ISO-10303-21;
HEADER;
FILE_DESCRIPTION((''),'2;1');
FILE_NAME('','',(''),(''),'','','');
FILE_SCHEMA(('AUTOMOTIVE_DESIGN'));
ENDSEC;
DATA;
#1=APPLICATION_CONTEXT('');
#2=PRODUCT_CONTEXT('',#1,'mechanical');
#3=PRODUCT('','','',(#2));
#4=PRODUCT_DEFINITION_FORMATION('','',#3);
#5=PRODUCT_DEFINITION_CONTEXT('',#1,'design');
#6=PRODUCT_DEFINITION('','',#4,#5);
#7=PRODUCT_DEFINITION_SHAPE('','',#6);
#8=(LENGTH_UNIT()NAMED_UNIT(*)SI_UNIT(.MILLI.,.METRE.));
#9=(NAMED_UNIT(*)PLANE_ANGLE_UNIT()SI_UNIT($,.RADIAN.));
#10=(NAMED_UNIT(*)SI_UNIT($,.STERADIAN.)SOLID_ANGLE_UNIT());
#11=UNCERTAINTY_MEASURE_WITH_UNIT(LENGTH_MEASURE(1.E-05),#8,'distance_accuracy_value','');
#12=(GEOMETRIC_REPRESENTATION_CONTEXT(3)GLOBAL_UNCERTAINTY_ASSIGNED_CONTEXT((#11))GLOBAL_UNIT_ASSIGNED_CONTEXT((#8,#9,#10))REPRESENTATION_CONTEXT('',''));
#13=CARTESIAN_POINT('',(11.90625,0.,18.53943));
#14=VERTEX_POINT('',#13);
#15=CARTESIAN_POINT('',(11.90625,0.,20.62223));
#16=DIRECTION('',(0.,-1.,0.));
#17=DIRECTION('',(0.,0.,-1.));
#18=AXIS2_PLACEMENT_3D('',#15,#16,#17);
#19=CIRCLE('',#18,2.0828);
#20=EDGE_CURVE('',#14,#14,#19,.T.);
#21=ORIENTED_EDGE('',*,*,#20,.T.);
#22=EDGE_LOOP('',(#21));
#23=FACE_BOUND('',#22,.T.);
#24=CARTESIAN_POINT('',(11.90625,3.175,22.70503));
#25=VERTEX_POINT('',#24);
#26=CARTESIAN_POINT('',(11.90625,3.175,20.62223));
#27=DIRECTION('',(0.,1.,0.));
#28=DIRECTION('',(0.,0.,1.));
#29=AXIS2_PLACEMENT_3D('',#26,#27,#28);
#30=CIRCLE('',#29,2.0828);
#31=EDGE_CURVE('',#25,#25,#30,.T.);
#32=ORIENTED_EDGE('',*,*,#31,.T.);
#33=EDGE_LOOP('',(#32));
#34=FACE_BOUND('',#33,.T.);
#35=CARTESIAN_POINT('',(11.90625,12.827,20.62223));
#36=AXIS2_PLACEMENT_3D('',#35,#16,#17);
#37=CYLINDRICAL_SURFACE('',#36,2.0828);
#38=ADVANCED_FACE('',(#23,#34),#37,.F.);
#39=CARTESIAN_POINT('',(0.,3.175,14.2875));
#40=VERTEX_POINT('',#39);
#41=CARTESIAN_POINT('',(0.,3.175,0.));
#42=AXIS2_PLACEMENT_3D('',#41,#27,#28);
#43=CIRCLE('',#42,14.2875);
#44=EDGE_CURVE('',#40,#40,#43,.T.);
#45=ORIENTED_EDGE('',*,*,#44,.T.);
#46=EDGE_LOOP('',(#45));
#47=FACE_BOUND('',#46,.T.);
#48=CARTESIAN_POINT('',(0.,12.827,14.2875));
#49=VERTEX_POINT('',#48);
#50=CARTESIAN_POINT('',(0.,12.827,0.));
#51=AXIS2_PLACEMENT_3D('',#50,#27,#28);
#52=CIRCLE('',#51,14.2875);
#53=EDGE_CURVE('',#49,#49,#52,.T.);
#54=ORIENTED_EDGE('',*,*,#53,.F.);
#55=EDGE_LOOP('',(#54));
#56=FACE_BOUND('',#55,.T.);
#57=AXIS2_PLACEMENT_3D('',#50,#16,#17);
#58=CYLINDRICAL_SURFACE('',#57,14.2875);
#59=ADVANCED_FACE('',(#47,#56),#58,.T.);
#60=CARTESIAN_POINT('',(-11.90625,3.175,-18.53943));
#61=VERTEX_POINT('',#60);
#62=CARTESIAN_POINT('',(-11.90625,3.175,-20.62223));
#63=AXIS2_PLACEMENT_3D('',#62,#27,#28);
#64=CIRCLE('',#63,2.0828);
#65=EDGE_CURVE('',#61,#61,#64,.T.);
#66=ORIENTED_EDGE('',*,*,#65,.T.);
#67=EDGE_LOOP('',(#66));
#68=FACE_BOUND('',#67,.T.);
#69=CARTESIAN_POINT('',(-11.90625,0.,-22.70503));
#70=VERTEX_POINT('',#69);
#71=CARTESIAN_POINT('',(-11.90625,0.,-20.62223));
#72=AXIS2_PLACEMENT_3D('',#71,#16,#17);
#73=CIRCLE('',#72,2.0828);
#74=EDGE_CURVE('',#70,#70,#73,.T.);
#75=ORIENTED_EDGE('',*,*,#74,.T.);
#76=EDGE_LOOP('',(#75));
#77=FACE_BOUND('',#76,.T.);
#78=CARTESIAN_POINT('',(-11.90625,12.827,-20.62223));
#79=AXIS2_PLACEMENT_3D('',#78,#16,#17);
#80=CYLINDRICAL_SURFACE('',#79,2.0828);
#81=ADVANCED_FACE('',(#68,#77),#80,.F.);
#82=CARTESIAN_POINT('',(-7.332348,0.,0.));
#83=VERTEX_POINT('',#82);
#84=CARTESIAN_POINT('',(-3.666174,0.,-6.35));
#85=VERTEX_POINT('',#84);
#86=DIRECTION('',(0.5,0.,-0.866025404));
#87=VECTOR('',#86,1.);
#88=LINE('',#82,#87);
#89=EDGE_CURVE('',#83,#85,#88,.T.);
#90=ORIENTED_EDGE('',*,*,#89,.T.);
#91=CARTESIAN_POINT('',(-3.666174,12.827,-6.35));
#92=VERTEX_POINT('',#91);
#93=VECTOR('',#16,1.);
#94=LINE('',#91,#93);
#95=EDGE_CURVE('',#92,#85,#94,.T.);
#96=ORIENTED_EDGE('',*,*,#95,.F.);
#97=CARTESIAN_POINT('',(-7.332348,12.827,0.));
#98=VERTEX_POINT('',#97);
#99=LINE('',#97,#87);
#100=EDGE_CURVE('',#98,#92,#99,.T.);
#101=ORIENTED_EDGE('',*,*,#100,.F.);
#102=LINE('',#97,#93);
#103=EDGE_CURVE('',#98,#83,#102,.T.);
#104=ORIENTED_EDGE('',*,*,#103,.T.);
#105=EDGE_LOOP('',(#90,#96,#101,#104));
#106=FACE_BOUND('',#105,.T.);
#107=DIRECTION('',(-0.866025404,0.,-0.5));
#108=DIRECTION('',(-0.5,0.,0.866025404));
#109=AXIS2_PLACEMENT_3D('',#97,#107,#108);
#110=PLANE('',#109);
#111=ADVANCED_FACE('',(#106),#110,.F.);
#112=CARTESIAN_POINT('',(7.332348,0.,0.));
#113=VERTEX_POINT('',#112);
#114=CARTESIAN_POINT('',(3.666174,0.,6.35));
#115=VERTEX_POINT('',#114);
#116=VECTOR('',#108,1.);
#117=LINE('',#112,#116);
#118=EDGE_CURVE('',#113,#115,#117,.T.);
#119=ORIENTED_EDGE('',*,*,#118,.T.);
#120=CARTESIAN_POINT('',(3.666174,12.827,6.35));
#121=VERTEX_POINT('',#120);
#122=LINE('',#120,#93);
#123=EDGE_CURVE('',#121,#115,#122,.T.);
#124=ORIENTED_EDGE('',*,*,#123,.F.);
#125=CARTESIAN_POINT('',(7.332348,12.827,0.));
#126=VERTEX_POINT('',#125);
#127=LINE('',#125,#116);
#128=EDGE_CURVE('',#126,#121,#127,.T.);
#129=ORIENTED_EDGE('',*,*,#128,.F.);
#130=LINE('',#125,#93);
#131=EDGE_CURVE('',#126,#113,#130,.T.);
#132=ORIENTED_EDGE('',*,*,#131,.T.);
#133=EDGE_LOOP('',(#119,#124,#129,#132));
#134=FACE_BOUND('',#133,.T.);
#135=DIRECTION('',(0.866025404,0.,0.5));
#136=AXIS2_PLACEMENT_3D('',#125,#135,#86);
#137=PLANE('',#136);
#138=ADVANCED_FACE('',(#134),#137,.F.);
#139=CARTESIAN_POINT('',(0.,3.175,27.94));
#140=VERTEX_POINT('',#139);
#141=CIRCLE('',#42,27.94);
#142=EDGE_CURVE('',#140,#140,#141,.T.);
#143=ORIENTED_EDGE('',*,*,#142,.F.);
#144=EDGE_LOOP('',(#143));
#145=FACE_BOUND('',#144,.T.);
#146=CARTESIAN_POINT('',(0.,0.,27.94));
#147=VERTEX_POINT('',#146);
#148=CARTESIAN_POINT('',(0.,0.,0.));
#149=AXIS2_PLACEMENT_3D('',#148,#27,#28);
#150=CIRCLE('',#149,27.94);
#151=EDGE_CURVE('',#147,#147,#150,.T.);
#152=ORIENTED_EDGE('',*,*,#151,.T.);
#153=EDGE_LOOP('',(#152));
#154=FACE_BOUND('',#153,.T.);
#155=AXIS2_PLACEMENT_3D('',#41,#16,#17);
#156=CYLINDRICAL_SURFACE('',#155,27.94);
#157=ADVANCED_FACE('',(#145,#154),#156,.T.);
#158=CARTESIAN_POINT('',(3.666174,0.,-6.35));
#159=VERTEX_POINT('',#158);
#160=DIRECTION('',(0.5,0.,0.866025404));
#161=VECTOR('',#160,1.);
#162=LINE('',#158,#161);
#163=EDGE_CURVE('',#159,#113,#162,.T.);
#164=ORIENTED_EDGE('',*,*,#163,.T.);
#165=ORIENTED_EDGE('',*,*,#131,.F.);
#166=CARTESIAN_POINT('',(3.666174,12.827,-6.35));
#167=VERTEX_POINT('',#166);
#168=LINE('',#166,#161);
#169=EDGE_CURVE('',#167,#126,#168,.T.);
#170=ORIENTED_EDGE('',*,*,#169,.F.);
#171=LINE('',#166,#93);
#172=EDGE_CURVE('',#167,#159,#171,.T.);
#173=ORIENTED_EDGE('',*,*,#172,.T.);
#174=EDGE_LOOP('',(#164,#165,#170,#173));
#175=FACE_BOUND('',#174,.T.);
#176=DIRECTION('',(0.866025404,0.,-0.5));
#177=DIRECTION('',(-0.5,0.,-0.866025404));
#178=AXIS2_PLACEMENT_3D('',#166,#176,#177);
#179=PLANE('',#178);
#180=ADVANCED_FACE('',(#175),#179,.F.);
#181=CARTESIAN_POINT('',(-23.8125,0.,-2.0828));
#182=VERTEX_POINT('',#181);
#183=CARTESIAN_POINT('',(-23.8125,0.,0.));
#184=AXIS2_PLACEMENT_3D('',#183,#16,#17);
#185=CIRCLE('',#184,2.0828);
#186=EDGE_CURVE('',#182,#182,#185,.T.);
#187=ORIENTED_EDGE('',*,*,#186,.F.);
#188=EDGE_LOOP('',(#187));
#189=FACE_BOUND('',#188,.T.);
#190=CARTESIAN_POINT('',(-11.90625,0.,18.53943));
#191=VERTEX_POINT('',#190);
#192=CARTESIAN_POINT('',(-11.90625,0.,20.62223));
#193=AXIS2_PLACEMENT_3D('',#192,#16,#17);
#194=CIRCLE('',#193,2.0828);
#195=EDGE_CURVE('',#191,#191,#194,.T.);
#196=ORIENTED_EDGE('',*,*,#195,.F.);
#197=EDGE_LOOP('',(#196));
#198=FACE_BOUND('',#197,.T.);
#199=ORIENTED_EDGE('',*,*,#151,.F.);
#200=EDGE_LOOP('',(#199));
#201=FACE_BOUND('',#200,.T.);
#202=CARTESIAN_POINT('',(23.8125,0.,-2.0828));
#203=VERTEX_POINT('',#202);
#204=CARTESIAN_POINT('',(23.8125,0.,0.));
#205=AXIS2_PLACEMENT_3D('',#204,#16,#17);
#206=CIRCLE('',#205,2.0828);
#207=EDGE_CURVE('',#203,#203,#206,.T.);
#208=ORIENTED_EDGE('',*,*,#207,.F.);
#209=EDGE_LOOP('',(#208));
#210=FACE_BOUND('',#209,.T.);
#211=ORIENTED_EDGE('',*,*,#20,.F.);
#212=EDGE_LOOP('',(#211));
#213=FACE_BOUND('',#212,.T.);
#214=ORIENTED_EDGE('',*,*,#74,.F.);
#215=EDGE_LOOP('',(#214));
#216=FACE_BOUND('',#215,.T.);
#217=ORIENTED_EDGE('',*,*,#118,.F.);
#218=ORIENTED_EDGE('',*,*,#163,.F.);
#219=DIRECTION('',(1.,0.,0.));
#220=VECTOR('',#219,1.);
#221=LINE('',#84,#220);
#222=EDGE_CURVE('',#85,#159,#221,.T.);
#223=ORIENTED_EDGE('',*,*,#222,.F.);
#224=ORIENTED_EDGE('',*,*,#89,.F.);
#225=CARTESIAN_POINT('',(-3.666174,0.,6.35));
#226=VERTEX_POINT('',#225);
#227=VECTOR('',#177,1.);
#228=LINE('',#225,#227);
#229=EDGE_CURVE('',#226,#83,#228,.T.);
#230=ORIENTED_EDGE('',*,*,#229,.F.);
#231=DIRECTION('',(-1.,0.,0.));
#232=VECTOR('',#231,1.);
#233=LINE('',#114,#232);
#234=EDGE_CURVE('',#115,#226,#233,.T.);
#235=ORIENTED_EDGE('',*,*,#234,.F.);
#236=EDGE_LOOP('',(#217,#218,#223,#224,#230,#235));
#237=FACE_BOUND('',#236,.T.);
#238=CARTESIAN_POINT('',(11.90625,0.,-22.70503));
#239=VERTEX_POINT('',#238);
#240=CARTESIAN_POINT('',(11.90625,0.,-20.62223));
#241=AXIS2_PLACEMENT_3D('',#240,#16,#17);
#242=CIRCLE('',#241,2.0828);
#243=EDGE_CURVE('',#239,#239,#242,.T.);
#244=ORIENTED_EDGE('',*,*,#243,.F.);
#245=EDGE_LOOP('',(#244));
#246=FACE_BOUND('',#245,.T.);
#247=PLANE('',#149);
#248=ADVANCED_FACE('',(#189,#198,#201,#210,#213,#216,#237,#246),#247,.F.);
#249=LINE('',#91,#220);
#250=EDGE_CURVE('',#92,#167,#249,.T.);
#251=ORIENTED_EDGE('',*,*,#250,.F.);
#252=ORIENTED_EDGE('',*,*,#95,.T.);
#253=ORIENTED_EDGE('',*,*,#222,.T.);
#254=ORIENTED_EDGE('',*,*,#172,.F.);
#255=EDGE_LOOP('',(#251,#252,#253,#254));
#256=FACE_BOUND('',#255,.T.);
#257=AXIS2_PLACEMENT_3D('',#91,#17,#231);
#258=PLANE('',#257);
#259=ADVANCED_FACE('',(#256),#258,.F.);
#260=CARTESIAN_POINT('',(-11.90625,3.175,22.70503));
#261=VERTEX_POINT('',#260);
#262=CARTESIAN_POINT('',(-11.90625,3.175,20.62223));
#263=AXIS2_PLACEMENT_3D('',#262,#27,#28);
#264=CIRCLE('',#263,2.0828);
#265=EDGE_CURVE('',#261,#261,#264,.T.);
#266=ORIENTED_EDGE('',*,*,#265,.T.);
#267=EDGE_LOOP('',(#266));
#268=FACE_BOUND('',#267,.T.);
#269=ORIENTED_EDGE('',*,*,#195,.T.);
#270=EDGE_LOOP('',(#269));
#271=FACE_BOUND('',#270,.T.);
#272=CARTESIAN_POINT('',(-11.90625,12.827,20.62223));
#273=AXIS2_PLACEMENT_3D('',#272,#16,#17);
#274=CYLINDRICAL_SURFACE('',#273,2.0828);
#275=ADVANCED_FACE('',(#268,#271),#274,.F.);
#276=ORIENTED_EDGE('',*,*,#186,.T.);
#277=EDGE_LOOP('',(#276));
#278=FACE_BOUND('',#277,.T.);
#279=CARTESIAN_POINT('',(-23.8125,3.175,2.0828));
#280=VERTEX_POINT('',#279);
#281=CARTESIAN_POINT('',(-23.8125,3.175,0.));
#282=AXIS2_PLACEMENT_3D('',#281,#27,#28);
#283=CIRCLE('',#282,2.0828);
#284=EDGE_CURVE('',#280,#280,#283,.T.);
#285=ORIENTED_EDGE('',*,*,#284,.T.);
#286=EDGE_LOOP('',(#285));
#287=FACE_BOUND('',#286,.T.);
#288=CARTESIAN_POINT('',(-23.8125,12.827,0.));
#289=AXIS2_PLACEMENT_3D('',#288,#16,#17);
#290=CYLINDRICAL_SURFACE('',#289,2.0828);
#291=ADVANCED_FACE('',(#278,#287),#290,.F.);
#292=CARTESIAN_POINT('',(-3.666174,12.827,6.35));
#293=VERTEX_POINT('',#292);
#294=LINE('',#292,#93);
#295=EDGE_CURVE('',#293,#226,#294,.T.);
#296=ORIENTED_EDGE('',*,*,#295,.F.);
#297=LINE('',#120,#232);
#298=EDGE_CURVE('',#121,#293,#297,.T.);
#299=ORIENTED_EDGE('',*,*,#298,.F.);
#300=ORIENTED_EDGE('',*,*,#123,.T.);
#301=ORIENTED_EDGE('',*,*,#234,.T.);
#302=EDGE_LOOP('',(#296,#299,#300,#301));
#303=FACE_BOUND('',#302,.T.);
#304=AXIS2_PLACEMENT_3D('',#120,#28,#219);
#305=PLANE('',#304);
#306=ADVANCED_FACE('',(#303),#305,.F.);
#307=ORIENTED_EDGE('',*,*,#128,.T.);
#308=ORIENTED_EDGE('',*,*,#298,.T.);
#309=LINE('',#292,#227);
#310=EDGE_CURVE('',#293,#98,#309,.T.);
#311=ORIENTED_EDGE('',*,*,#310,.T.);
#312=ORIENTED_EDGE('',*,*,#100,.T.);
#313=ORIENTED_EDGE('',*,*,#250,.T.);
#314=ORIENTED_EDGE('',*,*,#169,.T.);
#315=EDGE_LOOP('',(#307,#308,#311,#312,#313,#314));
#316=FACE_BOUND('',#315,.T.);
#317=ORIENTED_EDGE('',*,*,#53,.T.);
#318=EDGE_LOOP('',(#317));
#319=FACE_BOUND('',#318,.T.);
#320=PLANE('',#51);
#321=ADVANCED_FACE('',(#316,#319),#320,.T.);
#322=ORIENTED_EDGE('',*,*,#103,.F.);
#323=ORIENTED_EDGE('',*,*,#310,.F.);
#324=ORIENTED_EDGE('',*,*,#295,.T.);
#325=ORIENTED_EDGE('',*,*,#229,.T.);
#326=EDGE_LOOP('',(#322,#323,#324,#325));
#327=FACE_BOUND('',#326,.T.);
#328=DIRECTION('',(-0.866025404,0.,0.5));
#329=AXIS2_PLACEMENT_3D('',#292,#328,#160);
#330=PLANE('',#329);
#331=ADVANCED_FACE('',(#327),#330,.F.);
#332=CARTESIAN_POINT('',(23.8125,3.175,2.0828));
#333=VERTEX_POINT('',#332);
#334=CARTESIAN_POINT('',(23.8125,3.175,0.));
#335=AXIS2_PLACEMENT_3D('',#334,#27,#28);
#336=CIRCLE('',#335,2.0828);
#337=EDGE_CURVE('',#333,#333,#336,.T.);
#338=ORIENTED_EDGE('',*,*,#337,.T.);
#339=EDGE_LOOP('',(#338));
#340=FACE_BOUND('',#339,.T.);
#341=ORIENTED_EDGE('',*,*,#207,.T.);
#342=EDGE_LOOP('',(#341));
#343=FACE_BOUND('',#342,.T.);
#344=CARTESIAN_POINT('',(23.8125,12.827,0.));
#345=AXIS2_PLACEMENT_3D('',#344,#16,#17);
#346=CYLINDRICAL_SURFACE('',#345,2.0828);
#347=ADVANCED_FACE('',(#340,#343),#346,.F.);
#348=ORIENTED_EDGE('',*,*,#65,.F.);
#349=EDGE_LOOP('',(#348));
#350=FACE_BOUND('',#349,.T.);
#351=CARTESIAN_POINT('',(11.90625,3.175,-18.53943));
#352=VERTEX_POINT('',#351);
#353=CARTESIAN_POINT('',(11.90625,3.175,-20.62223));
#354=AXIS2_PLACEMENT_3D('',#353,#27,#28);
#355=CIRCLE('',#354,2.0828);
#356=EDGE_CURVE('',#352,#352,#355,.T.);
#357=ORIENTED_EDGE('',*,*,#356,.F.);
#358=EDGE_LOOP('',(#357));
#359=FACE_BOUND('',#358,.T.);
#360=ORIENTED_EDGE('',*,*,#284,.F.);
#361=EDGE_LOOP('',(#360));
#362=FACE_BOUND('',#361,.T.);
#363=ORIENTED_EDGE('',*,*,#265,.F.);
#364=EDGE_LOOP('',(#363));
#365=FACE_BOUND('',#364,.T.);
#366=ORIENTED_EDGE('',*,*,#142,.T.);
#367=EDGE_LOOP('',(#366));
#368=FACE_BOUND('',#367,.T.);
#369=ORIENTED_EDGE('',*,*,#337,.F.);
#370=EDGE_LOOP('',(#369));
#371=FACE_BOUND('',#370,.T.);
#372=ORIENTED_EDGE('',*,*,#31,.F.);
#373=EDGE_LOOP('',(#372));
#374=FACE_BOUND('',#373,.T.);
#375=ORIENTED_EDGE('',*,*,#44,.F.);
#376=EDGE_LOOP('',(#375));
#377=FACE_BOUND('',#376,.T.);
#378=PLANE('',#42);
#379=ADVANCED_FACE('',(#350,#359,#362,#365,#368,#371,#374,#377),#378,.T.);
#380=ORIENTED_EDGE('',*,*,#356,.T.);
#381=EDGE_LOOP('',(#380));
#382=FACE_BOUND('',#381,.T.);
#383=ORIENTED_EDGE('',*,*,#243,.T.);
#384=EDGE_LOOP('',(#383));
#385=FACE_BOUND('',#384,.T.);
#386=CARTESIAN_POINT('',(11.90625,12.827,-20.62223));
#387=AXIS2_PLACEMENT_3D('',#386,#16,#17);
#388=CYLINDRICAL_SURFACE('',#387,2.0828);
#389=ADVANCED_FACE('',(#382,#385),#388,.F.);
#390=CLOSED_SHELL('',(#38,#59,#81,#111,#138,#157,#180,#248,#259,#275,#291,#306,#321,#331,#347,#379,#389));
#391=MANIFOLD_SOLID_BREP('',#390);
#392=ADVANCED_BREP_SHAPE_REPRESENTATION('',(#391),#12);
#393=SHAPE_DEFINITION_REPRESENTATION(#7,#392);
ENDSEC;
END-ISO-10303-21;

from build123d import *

# Parameters (mm, degrees)
SKETCH1_R           = 27.94
BOSS_EXTRUDE1_DEPTH = 3.175
SKETCH2_R           = 14.2875
BOSS_EXTRUDE2_DEPTH = 9.652
CUT_EXTRUDE1_DEPTH  = 13.827
SKETCH4_R           = 2.0828
CUT_EXTRUDE2_DEPTH  = 13.827


with BuildPart() as part:
    # Sketch1 → Boss-Extrude1 (new body)
    with BuildSketch(Plane(origin=(0, 0, 0), x_dir=(1, 0, 0), z_dir=(0, 1, 0))):
        Circle(SKETCH1_R)
    extrude(amount=BOSS_EXTRUDE1_DEPTH)

    # Sketch2 → Boss-Extrude2 (add)
    with BuildSketch(Plane(origin=(0, 3.175, 0), x_dir=(1, 0, 0), z_dir=(0, 1, 0))):
        Circle(SKETCH2_R)
    extrude(amount=BOSS_EXTRUDE2_DEPTH)

    # Sketch3 → Cut-Extrude1 (cut, through all)
    with BuildSketch(Plane.XZ):
        Polygon((3.666174209, -6.35), (7.332348419, 0), (3.666174209, 6.35), (-3.666174209, 6.35), (-7.332348419, 0), (-3.666174209, -6.35), align=None)
    extrude(amount=-CUT_EXTRUDE1_DEPTH, mode=Mode.SUBTRACT)

    # Sketch4 → Cut-Extrude2 (cut, through all)
    with BuildSketch(Plane.XZ):
        with Locations((-11.90625, 20.622229928)):
            Circle(SKETCH4_R)
        with Locations((11.90625, 20.622229928)):
            Circle(SKETCH4_R)
        with Locations((23.8125, 0)):
            Circle(SKETCH4_R)
        with Locations((11.90625, -20.622229928)):
            Circle(SKETCH4_R)
        with Locations((-11.90625, -20.622229928)):
            Circle(SKETCH4_R)
        with Locations((-23.8125, 0)):
            Circle(SKETCH4_R)
    extrude(amount=-CUT_EXTRUDE2_DEPTH, mode=Mode.SUBTRACT)


solid = part.part
